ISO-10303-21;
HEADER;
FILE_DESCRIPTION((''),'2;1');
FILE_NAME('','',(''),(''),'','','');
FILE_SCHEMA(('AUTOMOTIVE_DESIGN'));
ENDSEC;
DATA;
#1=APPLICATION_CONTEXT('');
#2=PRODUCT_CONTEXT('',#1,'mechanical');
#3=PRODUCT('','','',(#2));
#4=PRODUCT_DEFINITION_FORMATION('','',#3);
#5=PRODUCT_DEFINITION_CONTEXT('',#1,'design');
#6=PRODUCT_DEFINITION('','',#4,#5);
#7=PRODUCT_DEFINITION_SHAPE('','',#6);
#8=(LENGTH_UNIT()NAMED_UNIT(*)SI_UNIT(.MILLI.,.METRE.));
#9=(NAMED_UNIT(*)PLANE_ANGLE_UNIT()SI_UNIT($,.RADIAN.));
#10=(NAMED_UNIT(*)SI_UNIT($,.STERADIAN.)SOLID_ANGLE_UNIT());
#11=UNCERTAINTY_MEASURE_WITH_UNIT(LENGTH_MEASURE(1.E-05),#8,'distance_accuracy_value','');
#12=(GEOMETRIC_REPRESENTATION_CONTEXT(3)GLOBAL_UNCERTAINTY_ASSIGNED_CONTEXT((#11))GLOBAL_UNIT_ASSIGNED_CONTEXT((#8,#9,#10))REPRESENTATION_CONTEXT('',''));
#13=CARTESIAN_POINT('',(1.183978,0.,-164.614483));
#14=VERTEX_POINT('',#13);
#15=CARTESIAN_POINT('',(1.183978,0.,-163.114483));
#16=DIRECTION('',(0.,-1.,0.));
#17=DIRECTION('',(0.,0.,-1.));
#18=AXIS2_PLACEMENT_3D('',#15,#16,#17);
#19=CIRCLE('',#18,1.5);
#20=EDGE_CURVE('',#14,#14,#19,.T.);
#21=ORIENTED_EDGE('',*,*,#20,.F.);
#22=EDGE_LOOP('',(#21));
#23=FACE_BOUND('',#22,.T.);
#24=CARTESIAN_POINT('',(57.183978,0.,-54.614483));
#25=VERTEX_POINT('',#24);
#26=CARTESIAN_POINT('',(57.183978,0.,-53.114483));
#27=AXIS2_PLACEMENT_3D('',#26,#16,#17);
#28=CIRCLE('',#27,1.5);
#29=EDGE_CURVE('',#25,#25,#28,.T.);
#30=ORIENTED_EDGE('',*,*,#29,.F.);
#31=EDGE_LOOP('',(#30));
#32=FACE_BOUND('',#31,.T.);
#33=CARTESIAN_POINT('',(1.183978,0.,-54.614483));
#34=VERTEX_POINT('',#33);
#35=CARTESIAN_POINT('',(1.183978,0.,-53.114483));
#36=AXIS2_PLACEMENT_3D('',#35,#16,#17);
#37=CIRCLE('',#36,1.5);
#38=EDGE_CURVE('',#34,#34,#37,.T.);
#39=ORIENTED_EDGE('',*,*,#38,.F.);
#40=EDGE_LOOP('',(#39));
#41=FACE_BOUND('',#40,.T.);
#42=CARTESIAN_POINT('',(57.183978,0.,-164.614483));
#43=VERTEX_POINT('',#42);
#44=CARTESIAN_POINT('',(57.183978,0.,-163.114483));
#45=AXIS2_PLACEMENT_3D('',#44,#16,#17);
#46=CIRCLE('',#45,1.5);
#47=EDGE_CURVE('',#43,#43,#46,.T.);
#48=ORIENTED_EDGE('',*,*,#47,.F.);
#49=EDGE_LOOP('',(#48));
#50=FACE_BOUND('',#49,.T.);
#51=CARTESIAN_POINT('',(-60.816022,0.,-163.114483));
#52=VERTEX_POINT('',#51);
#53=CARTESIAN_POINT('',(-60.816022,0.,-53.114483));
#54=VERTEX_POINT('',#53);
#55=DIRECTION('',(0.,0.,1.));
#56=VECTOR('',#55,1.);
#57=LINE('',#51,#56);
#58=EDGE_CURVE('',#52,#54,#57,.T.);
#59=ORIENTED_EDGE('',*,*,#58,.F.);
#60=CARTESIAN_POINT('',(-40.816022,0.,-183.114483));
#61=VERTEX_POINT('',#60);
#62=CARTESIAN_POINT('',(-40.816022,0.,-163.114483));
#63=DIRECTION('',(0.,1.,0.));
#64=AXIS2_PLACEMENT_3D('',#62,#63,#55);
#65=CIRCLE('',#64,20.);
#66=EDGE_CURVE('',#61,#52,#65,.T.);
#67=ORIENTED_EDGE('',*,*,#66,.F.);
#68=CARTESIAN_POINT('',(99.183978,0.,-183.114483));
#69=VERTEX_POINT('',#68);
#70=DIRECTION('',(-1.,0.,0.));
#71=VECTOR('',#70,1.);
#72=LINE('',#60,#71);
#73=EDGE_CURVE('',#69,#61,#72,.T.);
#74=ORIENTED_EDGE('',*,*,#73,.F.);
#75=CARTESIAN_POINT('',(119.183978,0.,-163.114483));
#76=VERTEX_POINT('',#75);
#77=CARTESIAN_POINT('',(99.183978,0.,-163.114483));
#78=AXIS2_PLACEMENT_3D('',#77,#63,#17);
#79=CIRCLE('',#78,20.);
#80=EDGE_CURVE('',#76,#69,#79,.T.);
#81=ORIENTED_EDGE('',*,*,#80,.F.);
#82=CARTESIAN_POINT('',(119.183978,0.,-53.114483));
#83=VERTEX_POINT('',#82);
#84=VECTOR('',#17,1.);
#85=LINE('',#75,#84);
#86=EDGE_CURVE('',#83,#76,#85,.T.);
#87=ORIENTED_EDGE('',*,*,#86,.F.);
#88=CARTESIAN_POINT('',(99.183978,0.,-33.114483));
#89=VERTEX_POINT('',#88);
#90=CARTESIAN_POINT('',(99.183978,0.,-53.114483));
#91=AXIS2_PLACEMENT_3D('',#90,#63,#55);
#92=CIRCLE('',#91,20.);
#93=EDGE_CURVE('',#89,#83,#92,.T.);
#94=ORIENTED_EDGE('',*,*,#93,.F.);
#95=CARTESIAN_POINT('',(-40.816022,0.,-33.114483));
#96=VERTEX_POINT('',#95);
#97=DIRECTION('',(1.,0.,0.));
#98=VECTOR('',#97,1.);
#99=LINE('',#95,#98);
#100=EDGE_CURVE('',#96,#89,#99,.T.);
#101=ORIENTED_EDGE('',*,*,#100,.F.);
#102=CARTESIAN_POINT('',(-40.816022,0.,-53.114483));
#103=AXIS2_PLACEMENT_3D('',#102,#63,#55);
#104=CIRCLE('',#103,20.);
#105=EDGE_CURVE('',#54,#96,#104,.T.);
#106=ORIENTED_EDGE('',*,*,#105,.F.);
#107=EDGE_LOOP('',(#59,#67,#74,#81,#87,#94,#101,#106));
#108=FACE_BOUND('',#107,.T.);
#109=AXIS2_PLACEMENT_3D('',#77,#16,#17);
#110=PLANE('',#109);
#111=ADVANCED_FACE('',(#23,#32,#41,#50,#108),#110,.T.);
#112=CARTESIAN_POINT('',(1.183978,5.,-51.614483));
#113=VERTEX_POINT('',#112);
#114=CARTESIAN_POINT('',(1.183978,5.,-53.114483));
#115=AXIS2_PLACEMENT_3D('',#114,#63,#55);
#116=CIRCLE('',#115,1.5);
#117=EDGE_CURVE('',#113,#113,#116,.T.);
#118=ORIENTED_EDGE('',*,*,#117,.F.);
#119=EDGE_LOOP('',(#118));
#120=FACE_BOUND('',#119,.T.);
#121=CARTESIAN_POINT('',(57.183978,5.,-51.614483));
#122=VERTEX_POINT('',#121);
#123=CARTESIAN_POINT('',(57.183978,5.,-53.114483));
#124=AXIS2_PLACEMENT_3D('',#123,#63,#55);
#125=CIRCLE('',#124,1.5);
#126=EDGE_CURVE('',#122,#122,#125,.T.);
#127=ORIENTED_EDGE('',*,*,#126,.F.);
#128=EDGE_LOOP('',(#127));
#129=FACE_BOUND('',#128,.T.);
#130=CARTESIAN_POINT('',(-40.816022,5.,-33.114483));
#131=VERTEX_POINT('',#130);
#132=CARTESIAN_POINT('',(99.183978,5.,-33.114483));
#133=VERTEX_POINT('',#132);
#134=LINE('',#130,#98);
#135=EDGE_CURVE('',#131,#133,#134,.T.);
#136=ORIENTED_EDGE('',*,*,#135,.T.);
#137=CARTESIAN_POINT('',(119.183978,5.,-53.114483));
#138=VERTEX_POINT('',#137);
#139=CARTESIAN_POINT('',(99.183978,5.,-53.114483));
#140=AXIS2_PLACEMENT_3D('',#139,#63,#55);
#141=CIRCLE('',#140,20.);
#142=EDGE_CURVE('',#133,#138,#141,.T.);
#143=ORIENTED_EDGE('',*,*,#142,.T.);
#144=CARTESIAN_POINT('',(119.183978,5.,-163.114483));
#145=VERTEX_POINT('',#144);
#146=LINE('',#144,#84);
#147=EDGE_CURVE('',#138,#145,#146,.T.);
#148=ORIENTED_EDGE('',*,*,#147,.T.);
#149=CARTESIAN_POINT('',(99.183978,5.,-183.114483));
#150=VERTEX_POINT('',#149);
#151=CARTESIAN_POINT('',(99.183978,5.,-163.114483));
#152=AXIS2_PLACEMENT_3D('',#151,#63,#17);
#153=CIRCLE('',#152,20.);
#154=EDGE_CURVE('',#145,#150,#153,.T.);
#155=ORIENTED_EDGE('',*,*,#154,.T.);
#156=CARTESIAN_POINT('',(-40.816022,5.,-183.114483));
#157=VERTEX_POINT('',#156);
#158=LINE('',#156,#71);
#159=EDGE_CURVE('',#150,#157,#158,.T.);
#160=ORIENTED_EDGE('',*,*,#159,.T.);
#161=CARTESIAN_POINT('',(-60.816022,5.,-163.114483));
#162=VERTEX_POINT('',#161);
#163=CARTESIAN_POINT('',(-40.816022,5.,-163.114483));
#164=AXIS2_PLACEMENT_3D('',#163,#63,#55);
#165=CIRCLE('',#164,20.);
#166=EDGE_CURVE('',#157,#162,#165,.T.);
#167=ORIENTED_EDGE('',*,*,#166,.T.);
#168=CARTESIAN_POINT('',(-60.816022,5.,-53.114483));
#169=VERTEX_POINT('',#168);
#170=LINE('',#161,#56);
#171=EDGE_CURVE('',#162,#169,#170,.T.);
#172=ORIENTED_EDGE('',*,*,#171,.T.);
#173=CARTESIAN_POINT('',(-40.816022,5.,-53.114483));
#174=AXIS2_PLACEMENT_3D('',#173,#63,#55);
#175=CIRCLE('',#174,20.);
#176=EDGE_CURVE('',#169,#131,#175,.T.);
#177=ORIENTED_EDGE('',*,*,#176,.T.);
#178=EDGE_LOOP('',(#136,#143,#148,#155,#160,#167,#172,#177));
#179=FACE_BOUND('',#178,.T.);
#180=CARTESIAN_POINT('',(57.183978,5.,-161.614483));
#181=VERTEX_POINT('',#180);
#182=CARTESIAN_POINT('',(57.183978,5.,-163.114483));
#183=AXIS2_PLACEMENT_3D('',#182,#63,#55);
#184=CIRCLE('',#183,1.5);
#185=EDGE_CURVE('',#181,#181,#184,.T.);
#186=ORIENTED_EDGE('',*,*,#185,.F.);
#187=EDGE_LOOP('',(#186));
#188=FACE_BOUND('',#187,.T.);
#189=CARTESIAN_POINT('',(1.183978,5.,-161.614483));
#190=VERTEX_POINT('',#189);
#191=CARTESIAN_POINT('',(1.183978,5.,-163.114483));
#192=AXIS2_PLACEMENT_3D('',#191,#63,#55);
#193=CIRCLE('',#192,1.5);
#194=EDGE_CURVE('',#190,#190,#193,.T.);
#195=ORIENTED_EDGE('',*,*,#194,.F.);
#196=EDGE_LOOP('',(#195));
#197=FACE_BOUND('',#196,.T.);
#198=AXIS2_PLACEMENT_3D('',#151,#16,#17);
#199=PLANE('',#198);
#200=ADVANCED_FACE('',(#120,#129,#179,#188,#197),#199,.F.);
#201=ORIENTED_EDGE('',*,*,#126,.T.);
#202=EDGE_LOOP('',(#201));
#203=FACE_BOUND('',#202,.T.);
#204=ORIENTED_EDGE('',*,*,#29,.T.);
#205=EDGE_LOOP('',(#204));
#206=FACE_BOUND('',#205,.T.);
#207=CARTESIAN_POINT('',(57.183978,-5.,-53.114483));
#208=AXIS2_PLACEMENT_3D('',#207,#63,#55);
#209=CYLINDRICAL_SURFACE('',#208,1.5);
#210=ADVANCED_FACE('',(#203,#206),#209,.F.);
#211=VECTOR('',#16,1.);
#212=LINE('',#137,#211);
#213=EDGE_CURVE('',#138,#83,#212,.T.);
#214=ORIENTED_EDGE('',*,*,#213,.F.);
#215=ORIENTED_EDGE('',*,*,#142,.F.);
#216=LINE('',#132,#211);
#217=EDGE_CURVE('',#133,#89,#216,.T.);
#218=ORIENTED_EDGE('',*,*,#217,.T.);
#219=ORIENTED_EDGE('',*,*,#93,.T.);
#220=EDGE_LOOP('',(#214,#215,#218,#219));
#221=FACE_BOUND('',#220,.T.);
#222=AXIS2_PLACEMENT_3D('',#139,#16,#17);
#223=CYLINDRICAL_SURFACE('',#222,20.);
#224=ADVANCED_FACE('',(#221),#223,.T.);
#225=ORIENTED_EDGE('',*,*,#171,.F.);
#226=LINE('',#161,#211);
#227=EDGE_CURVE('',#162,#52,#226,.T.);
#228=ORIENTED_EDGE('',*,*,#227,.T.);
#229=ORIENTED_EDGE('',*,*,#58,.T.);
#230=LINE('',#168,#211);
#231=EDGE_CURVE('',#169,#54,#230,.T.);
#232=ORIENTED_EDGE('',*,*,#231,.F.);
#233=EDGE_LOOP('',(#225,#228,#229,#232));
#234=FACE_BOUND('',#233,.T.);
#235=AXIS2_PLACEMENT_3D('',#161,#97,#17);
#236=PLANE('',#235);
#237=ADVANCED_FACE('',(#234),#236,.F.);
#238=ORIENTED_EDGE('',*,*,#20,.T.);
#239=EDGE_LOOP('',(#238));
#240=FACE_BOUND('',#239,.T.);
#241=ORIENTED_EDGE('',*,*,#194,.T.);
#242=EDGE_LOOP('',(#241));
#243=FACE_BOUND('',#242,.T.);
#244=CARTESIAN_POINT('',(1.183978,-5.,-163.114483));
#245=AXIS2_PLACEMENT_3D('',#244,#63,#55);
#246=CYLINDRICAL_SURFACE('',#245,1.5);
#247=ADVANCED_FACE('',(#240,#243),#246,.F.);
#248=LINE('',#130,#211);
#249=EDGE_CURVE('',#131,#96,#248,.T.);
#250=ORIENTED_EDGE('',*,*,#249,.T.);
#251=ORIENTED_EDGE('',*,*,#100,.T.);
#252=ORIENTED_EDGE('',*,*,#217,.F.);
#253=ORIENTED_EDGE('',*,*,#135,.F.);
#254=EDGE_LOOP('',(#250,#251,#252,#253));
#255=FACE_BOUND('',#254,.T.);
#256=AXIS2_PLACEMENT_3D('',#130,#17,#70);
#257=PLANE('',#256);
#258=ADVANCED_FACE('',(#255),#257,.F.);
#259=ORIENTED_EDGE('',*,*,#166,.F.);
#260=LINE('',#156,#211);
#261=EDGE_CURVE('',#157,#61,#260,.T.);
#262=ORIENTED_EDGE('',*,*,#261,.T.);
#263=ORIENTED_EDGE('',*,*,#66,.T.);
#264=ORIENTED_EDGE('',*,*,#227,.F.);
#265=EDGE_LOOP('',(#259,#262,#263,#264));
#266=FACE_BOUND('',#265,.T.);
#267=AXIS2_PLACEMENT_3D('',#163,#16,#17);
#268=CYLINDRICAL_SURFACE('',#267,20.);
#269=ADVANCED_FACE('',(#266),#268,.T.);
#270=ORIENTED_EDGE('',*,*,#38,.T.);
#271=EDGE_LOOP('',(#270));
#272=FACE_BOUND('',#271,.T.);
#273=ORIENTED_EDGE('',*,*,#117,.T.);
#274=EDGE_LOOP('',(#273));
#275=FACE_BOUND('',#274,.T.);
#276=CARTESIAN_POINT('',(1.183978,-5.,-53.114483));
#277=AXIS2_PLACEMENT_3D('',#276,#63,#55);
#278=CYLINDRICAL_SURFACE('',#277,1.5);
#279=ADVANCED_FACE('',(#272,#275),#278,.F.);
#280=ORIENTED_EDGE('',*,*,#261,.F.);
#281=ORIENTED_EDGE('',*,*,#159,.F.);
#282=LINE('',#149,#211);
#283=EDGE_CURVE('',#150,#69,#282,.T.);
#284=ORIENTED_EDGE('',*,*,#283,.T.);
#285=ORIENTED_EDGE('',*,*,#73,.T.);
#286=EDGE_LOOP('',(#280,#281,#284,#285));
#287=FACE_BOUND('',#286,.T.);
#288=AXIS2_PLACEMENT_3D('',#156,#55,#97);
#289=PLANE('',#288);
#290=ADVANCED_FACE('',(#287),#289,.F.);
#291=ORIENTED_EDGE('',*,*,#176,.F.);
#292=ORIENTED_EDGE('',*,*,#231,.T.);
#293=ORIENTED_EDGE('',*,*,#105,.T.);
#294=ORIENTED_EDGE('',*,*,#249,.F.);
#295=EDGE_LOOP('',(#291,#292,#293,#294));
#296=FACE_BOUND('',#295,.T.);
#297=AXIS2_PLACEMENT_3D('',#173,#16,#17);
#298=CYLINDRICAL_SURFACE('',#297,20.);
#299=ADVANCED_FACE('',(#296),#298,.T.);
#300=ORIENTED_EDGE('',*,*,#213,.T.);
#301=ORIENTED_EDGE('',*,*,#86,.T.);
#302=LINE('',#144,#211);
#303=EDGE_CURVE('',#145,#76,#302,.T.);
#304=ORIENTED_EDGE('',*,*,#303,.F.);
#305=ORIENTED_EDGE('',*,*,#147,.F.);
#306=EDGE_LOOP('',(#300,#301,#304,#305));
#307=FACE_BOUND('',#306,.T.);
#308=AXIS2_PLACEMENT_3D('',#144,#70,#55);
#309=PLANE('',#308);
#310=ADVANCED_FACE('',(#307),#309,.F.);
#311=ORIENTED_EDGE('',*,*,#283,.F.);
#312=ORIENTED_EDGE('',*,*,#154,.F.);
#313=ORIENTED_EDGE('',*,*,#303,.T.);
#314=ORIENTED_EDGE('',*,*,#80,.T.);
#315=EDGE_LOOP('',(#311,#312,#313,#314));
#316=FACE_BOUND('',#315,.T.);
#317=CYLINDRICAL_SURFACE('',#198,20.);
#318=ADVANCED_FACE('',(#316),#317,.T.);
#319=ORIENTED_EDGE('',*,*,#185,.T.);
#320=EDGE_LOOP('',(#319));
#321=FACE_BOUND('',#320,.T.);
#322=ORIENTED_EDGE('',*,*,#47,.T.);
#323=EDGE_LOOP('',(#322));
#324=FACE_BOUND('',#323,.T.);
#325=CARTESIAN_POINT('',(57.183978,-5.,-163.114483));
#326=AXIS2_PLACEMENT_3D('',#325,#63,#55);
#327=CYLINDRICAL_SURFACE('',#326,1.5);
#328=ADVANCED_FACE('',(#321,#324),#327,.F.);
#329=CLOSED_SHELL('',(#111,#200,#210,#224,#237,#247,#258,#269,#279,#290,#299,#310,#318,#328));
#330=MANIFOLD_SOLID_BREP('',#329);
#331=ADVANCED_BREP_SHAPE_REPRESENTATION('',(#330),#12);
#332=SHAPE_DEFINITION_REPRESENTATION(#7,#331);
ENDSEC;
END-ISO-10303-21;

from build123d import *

# Parameters (mm, degrees)
RESSALTO_EXTRUS_O1_DEPTH = 5
ESBO_O2_R                = 1.5
CORTE_EXTRUS_O1_DEPTH    = 10


with BuildPart() as part:
    # Esboço1 → Ressalto-extrusão1 (new body)
    with BuildSketch(Plane(origin=(0, 0, 0), x_dir=(1, 0, 0), z_dir=(0, 1, 0))):
        with BuildLine():
            Line((-40.816022398, 183.1144834), (99.183977602, 183.1144834))
            ThreePointArc((99.183977602, 183.1144834), (113.326113225, 177.256619024), (119.183977602, 163.1144834))
            Line((119.183977602, 163.1144834), (119.183977602, 53.1144834))
            ThreePointArc((119.183977602, 53.1144834), (113.326113225, 38.972347776), (99.183977602, 33.1144834))
            Line((99.183977602, 33.1144834), (-40.816022398, 33.1144834))
            ThreePointArc((-40.816022398, 33.1144834), (-54.958158022, 38.972347776), (-60.816022398, 53.1144834))
            Line((-60.816022398, 53.1144834), (-60.816022398, 163.1144834))
            ThreePointArc((-60.816022398, 163.1144834), (-54.958158022, 177.256619024), (-40.816022398, 183.1144834))
        make_face()
    extrude(amount=RESSALTO_EXTRUS_O1_DEPTH)

    # Esboço2 → Corte-extrusão1 (cut)
    with BuildSketch(Plane(origin=(0, 5, 0), x_dir=(1, 0, 0), z_dir=(0, 1, 0))):
        with Locations(Location((1.183977602, 163.1144834, 0), (0, 0, 270))):
            Circle(ESBO_O2_R)
        with Locations(Location((57.183977602, 163.1144834, 0), (0, 0, 270))):
            Circle(ESBO_O2_R)
        with Locations(Location((57.183977602, 53.1144834, 0), (0, 0, 270))):
            Circle(ESBO_O2_R)
        with Locations(Location((1.183977602, 53.1144834, 0), (0, 0, 270))):
            Circle(ESBO_O2_R)
    extrude(amount=-CORTE_EXTRUS_O1_DEPTH, mode=Mode.SUBTRACT)


solid = part.part
